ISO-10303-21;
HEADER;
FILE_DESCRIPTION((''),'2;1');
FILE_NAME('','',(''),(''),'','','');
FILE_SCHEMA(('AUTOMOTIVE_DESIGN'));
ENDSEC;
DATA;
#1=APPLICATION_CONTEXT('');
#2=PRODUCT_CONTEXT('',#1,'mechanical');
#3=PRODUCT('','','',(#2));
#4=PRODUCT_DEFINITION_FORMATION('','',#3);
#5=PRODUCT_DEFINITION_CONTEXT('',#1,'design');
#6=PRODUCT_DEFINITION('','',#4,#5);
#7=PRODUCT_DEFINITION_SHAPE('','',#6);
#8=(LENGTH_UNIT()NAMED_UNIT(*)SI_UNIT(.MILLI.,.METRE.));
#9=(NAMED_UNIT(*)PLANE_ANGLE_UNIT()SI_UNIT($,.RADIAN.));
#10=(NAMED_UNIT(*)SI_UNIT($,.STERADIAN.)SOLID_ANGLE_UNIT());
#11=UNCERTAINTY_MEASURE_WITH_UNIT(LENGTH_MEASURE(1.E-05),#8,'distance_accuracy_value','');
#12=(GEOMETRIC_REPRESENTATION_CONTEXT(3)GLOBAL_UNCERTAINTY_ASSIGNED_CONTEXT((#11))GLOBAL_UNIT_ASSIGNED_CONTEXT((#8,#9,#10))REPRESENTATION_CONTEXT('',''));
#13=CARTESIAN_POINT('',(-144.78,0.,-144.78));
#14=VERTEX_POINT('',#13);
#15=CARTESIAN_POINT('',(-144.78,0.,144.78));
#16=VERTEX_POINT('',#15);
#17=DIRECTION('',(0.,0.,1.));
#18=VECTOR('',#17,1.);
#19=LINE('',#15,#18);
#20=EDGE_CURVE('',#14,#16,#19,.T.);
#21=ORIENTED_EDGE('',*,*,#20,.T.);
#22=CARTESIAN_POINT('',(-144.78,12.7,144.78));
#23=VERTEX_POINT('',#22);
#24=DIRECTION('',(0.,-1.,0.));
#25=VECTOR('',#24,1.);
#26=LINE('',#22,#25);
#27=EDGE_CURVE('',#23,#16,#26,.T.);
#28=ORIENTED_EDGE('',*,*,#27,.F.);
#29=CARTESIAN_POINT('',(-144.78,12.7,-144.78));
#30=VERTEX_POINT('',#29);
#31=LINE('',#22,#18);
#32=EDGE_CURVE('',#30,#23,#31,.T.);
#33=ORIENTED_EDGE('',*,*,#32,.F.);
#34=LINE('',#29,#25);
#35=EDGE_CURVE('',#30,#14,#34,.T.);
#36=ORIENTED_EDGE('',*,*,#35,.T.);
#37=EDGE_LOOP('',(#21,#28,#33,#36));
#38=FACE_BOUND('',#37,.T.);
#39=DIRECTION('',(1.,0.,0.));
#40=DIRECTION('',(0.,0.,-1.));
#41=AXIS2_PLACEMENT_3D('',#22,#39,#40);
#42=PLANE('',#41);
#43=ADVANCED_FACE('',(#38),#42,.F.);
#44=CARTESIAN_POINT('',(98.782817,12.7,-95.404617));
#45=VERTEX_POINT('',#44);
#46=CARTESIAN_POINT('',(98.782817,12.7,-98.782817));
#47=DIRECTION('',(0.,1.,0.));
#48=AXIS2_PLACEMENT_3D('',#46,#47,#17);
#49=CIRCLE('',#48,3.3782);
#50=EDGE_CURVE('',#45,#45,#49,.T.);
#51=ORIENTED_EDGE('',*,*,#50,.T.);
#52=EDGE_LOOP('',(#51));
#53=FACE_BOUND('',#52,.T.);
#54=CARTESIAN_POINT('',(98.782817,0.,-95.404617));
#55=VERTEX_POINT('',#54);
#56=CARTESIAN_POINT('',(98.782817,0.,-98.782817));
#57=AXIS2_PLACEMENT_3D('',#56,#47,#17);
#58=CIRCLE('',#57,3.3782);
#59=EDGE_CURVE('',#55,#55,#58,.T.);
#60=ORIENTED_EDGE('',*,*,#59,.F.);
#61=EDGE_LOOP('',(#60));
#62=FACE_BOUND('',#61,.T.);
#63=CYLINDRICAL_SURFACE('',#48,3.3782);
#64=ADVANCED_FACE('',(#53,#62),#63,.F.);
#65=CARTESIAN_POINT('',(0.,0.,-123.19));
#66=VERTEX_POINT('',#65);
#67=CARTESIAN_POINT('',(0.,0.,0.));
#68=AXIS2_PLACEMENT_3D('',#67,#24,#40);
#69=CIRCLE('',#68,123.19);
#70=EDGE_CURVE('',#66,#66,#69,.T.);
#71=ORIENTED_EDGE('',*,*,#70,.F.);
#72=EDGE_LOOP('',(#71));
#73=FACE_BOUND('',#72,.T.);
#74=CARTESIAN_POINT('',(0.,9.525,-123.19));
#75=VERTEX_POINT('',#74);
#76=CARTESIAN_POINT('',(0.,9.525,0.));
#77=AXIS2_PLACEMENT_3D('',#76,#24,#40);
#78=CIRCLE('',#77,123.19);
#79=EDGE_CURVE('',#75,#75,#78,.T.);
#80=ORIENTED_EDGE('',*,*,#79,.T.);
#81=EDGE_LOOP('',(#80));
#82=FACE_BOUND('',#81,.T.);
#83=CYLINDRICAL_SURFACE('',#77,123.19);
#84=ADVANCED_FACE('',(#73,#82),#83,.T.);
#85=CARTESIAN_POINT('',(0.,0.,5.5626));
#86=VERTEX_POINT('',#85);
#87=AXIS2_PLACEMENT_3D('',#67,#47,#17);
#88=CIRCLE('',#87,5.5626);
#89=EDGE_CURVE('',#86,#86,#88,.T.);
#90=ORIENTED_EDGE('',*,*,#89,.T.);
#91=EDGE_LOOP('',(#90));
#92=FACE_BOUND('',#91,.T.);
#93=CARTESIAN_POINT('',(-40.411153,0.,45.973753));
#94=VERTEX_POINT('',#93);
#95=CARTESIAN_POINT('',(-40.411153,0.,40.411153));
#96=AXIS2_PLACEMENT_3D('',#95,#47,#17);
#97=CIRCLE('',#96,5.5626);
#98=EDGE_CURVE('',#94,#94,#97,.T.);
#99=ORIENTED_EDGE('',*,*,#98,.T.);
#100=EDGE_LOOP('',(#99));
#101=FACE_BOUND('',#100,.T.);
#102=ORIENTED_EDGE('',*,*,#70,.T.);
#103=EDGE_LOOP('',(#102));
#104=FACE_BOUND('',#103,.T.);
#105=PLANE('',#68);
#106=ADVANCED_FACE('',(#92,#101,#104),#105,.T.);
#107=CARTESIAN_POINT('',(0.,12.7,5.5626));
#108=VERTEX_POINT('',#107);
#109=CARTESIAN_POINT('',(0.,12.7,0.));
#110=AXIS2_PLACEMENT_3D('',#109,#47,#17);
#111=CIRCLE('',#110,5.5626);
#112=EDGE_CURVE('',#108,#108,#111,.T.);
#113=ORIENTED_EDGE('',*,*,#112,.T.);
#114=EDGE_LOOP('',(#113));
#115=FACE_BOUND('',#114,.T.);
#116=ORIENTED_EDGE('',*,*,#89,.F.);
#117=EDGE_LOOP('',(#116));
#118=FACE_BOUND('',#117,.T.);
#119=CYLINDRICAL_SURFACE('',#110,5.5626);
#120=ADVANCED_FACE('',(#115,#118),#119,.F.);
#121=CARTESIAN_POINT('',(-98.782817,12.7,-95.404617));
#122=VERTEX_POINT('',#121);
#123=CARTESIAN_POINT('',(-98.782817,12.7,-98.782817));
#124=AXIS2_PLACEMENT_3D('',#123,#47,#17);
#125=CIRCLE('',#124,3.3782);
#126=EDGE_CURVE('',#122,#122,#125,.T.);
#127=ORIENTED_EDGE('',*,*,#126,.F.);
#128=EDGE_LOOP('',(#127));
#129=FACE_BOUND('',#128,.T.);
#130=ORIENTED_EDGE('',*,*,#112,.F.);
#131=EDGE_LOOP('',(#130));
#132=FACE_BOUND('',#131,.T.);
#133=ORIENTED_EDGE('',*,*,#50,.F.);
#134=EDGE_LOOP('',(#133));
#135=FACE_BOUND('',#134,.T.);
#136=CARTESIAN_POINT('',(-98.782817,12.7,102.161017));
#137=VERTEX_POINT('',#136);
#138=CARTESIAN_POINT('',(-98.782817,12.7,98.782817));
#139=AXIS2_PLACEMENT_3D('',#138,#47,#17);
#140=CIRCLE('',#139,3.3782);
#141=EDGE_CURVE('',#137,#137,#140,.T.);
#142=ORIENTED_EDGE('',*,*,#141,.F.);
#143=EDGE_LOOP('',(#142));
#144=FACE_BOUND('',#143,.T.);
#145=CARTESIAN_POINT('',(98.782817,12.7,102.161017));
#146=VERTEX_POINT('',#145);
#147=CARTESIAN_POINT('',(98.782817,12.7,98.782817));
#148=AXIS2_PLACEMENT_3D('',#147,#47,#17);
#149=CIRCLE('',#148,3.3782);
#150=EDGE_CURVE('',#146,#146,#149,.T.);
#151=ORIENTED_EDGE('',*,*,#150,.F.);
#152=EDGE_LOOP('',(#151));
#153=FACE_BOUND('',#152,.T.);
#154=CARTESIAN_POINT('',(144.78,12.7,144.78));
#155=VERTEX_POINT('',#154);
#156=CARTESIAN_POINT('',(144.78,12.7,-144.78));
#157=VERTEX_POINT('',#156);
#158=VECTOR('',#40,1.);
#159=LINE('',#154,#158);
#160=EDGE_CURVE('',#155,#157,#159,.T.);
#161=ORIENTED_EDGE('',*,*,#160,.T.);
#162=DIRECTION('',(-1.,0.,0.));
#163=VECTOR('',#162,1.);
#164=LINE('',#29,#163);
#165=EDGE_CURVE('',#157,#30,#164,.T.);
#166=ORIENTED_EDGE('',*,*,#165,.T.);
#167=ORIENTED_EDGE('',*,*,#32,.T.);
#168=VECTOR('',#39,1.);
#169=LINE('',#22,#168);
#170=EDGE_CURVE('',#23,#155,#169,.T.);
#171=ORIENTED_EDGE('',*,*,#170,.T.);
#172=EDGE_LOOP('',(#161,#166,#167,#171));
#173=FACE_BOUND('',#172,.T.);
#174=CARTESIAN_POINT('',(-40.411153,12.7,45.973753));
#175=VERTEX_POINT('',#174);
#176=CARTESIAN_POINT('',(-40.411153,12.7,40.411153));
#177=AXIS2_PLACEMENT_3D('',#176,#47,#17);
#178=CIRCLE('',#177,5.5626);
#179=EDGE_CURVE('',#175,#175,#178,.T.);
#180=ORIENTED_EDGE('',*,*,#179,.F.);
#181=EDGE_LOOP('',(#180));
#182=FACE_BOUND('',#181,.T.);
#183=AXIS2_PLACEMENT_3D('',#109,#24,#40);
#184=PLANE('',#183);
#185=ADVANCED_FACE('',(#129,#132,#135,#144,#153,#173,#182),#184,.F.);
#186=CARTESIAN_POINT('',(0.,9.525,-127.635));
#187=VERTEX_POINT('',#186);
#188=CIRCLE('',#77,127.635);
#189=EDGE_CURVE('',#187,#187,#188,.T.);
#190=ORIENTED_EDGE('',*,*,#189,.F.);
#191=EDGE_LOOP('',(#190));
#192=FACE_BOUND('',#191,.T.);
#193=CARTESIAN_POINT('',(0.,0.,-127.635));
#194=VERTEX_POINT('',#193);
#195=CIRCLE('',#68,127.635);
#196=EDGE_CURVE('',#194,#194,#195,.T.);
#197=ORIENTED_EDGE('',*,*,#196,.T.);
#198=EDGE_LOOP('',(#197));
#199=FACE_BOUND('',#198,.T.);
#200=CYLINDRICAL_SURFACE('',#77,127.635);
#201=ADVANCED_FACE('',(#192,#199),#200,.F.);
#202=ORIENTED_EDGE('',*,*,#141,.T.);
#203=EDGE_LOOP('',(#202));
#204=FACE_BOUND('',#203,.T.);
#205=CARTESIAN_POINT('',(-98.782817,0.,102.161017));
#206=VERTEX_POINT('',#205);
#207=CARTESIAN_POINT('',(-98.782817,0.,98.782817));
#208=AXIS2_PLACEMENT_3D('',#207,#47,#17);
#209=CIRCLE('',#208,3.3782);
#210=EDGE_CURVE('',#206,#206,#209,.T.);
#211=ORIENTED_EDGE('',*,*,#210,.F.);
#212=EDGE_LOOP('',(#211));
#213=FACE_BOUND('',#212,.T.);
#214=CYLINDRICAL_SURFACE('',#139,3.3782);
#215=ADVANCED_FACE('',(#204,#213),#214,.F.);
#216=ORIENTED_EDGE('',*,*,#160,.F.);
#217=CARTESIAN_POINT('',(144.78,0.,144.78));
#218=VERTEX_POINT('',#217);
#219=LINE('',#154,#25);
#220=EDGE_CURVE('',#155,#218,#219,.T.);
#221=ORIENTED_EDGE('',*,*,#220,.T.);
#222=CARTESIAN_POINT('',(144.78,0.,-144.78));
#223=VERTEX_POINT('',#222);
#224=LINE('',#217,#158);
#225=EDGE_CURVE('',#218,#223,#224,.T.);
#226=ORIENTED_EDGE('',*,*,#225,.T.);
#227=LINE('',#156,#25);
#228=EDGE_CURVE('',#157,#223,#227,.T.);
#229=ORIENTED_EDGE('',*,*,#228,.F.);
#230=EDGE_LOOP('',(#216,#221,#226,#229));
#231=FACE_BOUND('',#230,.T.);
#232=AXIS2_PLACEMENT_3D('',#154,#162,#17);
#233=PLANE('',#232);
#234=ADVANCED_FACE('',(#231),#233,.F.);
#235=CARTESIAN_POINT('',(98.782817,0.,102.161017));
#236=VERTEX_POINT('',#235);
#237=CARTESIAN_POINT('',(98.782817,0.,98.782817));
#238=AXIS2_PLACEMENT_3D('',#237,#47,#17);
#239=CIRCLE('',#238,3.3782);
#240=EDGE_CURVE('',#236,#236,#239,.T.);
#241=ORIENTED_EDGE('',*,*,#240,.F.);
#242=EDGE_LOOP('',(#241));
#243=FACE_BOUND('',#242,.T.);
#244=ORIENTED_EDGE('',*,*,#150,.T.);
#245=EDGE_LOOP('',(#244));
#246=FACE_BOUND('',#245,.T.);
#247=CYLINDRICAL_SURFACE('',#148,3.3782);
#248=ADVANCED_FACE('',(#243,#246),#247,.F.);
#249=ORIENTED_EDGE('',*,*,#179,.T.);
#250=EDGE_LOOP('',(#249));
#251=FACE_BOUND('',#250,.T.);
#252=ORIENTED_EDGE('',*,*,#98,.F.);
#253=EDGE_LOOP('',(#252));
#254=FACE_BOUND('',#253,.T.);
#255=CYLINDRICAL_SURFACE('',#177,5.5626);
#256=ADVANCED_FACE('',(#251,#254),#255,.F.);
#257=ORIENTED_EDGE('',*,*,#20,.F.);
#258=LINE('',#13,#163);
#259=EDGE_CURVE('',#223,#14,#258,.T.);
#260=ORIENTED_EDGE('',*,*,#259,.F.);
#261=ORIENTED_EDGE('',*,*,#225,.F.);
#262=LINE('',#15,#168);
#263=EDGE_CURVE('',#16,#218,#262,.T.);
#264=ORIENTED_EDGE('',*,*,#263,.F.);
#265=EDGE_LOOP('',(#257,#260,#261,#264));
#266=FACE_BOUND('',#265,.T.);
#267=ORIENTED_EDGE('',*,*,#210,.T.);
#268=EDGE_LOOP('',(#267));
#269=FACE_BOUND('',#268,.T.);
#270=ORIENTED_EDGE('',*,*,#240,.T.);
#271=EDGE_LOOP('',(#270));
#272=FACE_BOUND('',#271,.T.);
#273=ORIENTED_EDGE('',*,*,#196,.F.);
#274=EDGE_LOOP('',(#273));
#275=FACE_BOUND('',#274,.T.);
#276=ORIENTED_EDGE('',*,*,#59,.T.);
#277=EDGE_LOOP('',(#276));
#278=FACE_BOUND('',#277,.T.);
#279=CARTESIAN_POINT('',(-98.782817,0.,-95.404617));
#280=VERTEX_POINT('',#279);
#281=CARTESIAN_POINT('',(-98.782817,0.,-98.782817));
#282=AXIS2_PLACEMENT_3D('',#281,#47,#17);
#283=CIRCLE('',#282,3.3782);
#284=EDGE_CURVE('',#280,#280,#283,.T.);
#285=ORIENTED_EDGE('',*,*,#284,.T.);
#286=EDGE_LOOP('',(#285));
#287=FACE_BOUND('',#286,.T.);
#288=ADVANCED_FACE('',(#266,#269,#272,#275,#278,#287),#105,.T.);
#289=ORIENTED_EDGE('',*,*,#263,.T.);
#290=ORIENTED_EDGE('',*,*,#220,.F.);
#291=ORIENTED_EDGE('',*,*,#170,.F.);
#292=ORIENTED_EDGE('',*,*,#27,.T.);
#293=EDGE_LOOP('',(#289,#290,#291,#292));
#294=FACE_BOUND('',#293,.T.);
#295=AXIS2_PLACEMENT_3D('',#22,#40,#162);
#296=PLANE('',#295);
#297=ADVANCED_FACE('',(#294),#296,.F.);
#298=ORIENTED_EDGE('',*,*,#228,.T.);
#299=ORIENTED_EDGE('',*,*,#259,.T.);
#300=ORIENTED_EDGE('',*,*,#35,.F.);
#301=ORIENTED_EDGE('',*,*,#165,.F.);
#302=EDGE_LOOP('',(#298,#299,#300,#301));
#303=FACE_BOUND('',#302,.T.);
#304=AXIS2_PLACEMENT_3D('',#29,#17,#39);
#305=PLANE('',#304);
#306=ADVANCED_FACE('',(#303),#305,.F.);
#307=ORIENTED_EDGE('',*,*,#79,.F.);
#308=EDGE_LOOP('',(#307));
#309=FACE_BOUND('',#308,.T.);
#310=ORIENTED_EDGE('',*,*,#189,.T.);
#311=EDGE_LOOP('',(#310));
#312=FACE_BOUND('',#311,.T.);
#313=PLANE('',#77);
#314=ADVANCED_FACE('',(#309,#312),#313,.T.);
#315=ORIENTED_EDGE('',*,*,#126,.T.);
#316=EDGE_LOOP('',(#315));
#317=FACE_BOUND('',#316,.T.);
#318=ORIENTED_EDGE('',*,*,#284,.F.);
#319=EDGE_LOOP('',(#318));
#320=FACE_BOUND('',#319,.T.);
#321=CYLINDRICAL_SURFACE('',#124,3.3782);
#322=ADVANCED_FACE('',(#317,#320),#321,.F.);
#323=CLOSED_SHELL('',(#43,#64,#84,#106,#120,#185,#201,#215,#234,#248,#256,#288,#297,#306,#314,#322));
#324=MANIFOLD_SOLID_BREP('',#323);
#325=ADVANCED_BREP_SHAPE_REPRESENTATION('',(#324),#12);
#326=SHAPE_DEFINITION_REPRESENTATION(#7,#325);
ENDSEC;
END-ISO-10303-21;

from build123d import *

# Parameters (mm, degrees)
SKETCH1_W                     = 289.56
SKETCH1_H                     = 289.56
BOSS_EXTRUDE1_DEPTH           = 12.7
PIPE_TAP_DRILL_FOR_1_4_TAP2_D = 11.1252
PIPE_TAP_DRILL_FOR_1_4_TAP1_D = 11.1252
F_1_4_CLEARANCE_HOLE1_D       = 6.7564
SKETCH12_R                    = 127.635
SKETCH12_R_2                  = 123.19
CUT_EXTRUDE1_DEPTH            = 9.525
CIRPATTERN1_COUNT             = 4


with BuildPart() as part:
    # Sketch1 → Boss-Extrude1 (new body)
    with BuildSketch(Plane(origin=(0, 0, 0), x_dir=(1, 0, 0), z_dir=(0, 1, 0))):
        Rectangle(SKETCH1_W, SKETCH1_H)
    extrude(amount=BOSS_EXTRUDE1_DEPTH)

    # Pipe Tap Drill for 1/4 Tap2 (through all)
    with Locations(Plane(origin=(0, 12.7, 0), x_dir=(1, 0, 0), z_dir=(0, 1, 0))):
        with Locations((0, 0)):
            Hole(PIPE_TAP_DRILL_FOR_1_4_TAP2_D / 2)

    # Pipe Tap Drill for 1/4 Tap1 (through all)
    with Locations(Plane(origin=(0, 12.7, 0), x_dir=(1, 0, 0), z_dir=(0, 1, 0))):
        with Locations((-40.411152545, -40.411152545)):
            Hole(PIPE_TAP_DRILL_FOR_1_4_TAP1_D / 2)

    # 1/4 Clearance Hole1 (through all)
    with Locations(Plane(origin=(0, 12.7, 0), x_dir=(1, 0, 0), z_dir=(0, 1, 0))):
        with Locations((-98.782817332, -98.782817332)):
            f_1_4_clearance_hole1 = Hole(F_1_4_CLEARANCE_HOLE1_D / 2)

    # Sketch12 → Cut-Extrude1 (cut)
    with BuildSketch(Plane.XZ):
        Circle(SKETCH12_R)
        Circle(SKETCH12_R_2, mode=Mode.SUBTRACT)
    extrude(amount=-CUT_EXTRUDE1_DEPTH, mode=Mode.SUBTRACT)

    # CirPattern1: 1/4 Clearance Hole1 ×4 about axis
    cirpattern1_axis = Axis((0, 0, 0), (0, 1, 0))
    for i in range(1, CIRPATTERN1_COUNT):
        add(f_1_4_clearance_hole1.rotate(cirpattern1_axis, i * 360 / CIRPATTERN1_COUNT), mode=Mode.SUBTRACT)


solid = part.part
